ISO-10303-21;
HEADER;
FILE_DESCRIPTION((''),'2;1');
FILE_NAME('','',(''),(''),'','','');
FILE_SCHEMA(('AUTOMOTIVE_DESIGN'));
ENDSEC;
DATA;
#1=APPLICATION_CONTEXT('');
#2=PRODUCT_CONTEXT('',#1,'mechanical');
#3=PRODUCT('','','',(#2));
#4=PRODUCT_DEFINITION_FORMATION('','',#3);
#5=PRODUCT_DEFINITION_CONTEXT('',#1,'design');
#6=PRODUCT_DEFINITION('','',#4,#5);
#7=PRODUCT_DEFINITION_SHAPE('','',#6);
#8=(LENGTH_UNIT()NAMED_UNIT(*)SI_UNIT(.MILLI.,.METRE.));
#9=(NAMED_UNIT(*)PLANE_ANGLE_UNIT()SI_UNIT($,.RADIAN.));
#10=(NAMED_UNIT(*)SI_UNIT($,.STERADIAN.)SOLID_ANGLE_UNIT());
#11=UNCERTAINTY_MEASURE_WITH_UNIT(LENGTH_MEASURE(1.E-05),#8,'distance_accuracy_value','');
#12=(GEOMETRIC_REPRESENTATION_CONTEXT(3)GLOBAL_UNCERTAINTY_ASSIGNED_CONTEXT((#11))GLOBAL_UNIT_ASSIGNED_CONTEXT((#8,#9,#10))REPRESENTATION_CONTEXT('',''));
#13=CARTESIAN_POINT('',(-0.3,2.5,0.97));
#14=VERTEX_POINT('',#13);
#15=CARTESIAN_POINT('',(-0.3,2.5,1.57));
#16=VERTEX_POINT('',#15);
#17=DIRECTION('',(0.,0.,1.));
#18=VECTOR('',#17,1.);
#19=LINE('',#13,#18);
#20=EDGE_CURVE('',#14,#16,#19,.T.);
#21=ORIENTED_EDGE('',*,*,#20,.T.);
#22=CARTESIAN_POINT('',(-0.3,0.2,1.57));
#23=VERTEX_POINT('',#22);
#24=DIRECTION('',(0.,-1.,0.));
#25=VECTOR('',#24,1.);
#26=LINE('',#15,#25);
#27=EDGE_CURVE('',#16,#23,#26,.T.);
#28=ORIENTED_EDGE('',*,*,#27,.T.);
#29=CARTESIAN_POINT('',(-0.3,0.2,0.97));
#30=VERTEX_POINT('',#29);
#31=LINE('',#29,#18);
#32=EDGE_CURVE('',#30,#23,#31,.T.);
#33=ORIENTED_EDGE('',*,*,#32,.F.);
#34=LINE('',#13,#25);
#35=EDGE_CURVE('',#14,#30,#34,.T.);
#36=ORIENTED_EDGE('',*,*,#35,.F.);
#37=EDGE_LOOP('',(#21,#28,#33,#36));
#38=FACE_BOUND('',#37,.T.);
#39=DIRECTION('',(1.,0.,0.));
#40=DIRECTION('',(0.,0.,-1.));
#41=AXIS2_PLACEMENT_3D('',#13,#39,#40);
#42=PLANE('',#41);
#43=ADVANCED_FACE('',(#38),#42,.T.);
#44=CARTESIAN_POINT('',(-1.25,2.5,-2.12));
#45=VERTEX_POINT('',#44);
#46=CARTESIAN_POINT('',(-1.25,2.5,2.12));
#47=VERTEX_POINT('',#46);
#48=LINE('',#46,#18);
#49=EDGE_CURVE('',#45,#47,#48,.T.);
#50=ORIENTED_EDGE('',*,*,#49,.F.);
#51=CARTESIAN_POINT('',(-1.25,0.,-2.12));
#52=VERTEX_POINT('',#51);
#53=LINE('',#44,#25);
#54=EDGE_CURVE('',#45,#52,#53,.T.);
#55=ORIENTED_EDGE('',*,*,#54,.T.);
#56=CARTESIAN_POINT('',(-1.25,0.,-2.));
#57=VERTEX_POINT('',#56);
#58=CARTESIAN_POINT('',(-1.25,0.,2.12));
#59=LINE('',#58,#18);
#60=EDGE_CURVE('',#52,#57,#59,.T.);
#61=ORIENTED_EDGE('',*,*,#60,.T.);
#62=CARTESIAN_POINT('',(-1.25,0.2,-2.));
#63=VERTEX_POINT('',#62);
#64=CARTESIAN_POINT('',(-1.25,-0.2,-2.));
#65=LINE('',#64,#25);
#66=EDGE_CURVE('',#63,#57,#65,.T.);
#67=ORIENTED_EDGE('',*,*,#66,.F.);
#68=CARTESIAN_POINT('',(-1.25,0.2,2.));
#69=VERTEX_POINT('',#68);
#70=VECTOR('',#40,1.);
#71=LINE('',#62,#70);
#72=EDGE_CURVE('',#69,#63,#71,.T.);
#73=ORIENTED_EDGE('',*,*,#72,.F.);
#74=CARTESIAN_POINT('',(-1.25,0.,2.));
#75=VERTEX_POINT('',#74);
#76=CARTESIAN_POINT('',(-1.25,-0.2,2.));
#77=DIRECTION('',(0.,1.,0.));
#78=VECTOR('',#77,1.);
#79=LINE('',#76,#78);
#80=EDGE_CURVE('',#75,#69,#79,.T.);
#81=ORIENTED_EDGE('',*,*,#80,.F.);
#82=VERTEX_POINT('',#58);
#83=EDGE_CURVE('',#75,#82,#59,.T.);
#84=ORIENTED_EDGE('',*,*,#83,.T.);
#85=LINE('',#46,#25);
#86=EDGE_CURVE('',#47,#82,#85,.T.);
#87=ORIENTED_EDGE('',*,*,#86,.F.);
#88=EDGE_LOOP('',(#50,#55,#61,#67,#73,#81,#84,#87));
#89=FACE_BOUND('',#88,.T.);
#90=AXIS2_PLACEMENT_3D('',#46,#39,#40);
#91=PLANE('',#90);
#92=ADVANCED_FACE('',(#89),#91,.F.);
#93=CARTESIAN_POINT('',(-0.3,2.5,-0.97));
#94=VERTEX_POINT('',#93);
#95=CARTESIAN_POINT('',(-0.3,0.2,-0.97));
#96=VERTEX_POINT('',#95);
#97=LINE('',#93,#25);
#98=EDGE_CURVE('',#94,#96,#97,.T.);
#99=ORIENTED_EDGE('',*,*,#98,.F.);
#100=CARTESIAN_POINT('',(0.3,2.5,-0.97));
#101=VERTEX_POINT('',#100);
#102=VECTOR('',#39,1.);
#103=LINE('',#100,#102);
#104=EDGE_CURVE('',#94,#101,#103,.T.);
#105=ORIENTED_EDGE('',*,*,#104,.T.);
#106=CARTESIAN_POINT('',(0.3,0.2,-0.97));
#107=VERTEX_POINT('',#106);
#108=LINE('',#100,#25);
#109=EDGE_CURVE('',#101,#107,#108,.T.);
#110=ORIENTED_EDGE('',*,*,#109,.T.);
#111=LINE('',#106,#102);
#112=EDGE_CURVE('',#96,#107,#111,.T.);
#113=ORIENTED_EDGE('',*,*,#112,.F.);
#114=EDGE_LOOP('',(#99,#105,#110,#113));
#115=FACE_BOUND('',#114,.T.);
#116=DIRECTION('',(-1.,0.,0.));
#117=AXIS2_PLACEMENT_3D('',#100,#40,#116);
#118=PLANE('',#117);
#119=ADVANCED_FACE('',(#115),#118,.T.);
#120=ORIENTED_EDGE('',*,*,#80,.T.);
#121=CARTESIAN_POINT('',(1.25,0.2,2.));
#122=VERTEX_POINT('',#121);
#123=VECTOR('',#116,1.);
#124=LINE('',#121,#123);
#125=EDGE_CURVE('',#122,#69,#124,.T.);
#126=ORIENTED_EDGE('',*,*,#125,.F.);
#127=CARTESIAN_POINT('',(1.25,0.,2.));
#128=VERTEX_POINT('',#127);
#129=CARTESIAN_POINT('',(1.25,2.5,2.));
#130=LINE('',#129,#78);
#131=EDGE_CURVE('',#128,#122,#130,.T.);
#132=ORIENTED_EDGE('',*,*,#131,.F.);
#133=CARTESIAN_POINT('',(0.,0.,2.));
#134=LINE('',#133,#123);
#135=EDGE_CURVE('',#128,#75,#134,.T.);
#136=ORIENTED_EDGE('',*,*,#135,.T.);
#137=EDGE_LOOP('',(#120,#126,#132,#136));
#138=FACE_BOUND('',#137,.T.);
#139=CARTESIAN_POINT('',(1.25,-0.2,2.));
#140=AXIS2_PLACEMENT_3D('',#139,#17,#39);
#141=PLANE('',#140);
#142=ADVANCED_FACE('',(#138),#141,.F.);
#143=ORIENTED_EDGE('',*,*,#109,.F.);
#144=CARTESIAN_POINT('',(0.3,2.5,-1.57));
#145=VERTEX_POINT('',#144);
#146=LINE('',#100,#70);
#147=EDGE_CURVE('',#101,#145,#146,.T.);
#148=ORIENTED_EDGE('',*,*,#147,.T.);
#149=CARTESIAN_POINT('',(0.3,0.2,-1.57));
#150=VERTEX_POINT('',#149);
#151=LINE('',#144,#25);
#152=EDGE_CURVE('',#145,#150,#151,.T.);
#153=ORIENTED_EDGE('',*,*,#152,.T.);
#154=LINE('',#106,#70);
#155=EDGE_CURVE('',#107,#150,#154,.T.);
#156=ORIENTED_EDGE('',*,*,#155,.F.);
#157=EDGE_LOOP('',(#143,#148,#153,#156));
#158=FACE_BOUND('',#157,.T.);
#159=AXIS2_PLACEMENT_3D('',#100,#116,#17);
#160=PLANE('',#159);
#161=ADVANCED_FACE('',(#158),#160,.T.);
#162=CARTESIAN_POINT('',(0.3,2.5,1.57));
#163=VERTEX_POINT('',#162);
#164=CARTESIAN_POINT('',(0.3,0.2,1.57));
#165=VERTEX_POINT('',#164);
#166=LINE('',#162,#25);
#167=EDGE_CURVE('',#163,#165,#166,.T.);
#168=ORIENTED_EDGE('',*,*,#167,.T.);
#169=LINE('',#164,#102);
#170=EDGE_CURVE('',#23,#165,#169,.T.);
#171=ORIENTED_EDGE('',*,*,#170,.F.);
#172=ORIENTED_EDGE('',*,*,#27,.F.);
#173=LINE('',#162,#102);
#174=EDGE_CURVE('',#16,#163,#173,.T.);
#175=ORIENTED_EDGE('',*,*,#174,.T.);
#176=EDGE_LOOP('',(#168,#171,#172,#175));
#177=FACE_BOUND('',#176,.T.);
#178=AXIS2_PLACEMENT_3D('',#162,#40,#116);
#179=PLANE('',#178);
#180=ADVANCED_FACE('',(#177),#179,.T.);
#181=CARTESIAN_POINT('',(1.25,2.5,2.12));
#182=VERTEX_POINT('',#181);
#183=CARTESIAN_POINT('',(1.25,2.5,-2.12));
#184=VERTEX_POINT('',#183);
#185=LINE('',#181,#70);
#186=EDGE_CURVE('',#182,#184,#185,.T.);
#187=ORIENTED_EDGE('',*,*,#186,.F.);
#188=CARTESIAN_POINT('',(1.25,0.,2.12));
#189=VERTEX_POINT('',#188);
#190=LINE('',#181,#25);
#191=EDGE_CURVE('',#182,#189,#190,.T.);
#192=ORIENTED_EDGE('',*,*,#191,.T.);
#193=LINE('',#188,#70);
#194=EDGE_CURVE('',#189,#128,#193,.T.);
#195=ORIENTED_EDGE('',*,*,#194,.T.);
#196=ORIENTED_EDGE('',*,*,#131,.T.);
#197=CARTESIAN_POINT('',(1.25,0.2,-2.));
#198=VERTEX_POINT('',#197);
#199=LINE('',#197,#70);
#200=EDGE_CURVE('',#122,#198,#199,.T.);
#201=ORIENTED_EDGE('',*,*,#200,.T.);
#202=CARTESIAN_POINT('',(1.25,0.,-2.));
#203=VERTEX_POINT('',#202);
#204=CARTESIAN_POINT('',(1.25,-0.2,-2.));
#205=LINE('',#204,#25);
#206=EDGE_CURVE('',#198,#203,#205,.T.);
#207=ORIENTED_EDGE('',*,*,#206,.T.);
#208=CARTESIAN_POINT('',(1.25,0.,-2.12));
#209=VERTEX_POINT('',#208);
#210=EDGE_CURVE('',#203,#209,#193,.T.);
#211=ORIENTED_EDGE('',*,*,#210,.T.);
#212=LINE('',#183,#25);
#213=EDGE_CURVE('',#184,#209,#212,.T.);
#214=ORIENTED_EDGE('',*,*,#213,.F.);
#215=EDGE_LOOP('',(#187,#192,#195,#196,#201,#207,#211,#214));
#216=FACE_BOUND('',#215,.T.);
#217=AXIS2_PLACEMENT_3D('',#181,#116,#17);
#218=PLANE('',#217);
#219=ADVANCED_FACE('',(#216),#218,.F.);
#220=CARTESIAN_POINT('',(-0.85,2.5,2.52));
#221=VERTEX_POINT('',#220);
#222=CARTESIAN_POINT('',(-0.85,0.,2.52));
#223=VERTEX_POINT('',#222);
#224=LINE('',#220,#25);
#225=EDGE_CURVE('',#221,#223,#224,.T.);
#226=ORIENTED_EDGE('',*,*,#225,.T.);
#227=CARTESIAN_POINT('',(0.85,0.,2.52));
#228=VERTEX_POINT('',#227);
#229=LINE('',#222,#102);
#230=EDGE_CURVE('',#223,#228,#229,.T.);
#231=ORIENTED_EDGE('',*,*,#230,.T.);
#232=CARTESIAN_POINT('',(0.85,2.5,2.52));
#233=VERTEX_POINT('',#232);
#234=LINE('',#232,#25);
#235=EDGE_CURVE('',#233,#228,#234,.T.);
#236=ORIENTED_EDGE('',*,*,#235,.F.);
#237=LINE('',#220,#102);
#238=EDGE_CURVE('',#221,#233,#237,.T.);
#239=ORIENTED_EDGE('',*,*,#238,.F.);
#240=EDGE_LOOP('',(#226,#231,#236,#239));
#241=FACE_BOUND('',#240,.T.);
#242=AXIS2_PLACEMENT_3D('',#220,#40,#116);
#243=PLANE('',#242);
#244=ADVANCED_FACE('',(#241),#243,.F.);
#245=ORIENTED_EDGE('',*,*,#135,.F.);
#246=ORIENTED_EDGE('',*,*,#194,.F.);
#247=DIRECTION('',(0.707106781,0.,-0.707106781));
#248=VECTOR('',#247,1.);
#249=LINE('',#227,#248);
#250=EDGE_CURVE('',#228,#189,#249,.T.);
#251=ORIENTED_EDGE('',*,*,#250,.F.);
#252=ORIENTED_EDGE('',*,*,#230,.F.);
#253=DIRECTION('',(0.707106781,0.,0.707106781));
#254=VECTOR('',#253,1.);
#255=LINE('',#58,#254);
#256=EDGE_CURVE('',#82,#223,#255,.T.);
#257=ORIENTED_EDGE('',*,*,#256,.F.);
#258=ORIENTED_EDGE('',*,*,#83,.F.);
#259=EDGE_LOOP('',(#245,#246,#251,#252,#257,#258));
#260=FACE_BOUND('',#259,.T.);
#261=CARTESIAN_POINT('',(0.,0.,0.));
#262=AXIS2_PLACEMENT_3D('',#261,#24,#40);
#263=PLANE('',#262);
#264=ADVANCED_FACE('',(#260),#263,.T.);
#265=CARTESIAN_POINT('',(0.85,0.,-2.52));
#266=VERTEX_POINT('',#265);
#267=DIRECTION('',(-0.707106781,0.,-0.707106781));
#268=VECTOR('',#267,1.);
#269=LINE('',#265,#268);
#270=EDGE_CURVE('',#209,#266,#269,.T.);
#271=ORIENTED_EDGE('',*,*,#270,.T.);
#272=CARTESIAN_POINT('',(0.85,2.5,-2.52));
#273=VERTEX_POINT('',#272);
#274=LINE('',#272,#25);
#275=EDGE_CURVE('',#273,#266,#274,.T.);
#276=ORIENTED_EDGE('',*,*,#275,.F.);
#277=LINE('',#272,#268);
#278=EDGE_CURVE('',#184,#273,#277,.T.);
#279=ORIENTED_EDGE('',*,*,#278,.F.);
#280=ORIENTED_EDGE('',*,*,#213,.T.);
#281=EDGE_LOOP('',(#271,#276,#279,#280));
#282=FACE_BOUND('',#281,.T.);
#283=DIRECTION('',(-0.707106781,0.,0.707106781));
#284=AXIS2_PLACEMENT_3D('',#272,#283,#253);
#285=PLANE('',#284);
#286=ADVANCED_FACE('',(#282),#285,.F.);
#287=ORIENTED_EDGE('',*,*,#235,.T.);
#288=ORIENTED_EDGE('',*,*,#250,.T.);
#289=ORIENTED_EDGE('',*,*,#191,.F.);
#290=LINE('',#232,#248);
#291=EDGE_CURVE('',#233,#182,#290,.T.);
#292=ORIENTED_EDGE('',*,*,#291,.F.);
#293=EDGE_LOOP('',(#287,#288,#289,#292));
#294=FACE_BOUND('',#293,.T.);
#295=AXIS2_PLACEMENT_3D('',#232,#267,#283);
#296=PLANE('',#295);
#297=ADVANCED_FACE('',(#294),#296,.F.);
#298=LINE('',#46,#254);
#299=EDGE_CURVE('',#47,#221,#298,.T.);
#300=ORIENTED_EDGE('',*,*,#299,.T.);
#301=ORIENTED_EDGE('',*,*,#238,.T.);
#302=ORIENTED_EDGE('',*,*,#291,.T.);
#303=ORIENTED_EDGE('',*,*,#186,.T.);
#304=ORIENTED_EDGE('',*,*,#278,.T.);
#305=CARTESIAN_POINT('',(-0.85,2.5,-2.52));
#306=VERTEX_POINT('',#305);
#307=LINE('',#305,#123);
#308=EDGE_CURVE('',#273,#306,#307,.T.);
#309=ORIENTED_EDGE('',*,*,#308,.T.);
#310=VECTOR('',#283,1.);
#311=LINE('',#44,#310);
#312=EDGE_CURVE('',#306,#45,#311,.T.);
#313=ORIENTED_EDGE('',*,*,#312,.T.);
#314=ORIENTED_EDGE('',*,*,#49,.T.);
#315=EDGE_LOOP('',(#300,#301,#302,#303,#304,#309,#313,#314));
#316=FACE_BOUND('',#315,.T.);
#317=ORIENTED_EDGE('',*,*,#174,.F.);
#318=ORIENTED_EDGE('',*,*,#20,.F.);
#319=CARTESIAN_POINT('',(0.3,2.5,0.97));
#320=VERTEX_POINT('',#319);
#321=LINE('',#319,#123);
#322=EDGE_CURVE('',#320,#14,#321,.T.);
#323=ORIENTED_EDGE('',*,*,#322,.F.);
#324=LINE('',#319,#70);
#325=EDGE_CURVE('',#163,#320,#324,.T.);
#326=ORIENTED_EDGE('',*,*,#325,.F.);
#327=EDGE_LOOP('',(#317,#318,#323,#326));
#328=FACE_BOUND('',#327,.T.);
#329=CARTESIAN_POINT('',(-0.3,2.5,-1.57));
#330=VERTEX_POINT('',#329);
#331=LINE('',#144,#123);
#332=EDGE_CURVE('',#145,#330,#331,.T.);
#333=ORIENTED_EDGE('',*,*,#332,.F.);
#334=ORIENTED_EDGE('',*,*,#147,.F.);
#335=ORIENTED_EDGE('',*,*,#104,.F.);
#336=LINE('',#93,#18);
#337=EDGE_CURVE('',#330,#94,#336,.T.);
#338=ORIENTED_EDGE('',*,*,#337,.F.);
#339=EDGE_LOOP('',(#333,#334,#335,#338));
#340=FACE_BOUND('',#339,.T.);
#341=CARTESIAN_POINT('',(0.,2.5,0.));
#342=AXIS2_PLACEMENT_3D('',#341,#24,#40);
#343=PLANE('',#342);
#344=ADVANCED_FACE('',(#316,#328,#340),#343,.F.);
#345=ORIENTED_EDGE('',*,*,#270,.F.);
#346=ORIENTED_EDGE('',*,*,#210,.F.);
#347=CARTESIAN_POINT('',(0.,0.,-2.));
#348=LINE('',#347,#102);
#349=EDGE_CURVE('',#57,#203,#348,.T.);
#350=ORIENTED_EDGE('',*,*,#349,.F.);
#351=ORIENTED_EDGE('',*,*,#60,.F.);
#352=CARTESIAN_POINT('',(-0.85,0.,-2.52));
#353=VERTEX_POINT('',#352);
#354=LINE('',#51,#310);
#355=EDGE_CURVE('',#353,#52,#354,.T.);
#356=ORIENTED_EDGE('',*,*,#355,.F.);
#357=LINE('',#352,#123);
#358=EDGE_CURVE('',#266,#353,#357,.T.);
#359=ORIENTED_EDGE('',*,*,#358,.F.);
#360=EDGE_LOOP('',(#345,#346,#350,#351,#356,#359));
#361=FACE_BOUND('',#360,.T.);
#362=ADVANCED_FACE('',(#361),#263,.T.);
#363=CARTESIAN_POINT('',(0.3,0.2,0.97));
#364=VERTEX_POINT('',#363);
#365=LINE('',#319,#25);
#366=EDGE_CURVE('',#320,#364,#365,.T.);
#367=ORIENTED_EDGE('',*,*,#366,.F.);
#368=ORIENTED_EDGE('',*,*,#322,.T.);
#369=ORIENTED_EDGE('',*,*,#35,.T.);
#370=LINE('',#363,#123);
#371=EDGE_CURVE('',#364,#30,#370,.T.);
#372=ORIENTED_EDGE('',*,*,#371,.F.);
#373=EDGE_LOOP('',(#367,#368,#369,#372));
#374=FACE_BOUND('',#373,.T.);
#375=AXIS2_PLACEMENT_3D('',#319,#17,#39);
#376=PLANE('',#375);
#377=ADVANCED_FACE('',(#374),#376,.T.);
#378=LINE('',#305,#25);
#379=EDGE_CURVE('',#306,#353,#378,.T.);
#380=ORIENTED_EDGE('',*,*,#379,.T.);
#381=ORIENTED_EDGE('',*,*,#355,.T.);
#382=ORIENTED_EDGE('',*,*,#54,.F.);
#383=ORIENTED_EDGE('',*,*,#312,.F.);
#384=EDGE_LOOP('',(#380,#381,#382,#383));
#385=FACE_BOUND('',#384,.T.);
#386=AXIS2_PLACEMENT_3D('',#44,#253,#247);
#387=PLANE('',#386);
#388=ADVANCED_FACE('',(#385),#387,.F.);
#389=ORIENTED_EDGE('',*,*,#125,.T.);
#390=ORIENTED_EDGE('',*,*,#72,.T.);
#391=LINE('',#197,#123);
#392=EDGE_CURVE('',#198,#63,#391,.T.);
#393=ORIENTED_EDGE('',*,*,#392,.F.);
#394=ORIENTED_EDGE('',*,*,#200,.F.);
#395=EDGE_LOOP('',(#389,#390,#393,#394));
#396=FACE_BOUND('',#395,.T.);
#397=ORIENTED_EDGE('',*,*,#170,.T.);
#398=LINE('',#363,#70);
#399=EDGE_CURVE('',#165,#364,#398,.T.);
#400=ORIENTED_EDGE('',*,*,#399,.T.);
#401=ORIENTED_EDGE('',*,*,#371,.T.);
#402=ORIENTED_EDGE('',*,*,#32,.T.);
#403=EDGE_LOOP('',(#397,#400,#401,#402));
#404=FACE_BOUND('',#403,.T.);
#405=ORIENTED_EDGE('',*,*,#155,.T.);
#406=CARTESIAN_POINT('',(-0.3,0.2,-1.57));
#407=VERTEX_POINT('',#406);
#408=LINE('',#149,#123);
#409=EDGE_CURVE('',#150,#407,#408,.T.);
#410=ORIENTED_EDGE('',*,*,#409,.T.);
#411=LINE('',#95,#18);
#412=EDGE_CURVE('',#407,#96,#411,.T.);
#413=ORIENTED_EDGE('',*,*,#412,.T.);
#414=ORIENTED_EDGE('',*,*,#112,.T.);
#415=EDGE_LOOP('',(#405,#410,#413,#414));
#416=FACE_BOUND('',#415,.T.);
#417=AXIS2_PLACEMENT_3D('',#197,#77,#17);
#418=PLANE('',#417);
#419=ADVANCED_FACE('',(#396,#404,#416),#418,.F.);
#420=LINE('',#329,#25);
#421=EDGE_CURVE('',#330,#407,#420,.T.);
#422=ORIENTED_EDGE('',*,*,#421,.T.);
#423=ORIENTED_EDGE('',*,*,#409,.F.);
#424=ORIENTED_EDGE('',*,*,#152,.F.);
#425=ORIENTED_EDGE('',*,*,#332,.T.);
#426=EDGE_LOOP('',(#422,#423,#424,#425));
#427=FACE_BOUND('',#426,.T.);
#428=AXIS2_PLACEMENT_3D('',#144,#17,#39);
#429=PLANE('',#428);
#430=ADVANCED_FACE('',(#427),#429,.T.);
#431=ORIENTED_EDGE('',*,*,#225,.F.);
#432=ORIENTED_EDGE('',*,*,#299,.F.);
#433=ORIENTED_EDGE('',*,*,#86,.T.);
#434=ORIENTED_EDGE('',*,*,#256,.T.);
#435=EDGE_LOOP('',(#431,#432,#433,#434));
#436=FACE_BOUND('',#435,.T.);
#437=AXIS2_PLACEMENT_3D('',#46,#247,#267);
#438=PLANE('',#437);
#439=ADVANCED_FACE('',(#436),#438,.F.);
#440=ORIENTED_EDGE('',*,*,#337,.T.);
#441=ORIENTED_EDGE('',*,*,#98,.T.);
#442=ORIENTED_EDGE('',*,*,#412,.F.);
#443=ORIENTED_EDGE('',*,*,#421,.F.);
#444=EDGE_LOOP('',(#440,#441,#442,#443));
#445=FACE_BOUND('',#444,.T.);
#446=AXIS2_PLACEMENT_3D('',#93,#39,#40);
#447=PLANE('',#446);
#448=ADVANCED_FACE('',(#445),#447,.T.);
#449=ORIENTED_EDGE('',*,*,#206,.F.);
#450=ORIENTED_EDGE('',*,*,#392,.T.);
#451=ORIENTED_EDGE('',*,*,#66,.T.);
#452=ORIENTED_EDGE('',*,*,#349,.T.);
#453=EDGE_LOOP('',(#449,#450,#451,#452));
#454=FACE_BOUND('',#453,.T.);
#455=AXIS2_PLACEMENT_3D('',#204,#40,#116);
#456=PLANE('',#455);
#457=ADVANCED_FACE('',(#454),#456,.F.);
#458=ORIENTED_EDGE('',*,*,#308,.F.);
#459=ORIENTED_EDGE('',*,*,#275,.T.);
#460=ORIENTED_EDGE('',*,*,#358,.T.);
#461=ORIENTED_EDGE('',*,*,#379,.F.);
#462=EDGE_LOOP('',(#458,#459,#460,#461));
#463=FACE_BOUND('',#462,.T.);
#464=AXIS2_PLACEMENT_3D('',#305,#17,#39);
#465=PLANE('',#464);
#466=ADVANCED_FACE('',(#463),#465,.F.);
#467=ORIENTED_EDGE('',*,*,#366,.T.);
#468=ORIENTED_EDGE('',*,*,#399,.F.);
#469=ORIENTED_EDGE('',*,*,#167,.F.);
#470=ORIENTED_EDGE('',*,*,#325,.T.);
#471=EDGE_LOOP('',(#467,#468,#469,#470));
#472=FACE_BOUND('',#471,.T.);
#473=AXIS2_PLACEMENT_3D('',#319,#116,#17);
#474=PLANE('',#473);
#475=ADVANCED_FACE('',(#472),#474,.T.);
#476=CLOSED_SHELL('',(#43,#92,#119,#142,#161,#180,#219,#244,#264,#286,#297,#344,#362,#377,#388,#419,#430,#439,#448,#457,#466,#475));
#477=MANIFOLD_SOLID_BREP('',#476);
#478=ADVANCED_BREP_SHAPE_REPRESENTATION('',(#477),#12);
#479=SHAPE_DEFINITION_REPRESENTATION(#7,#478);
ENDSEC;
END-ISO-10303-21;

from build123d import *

# Parameters (mm, degrees)
ESQUISSE1_W             = 0.6
ESQUISSE1_H             = 0.6
BOSS_EXTRU_1_DEPTH      = 2.5
ESQUISSE2_W             = 4
ESQUISSE2_H             = 0.4
ENL_V_MAT_EXTRU_1_DEPTH = 3.5


with BuildPart() as part:
    # Esquisse1 → Boss.-Extru.1 (new body)
    with BuildSketch(Plane(origin=(0, 0, 0), x_dir=(1, 0, 0), z_dir=(0, 1, 0))):
        Polygon((-1.25, 2.12), (-0.85, 2.52), (0.85, 2.52), (1.25, 2.12), (1.25, -2.12), (0.85, -2.52), (-0.85, -2.52), (-1.25, -2.12), align=None)
        with Locations((0, -1.27)):
            Rectangle(ESQUISSE1_W, ESQUISSE1_H, mode=Mode.SUBTRACT)
        with Locations((0, 1.27)):
            Rectangle(ESQUISSE1_W, ESQUISSE1_H, mode=Mode.SUBTRACT)
    extrude(amount=BOSS_EXTRU_1_DEPTH)

    # Esquisse2 → Enlèv. mat.-Extru.1 (cut, through all)
    with BuildSketch(Plane.ZY.offset(1.25)):
        Rectangle(ESQUISSE2_W, ESQUISSE2_H)
    extrude(amount=-ENL_V_MAT_EXTRU_1_DEPTH, mode=Mode.SUBTRACT)


solid = part.part
